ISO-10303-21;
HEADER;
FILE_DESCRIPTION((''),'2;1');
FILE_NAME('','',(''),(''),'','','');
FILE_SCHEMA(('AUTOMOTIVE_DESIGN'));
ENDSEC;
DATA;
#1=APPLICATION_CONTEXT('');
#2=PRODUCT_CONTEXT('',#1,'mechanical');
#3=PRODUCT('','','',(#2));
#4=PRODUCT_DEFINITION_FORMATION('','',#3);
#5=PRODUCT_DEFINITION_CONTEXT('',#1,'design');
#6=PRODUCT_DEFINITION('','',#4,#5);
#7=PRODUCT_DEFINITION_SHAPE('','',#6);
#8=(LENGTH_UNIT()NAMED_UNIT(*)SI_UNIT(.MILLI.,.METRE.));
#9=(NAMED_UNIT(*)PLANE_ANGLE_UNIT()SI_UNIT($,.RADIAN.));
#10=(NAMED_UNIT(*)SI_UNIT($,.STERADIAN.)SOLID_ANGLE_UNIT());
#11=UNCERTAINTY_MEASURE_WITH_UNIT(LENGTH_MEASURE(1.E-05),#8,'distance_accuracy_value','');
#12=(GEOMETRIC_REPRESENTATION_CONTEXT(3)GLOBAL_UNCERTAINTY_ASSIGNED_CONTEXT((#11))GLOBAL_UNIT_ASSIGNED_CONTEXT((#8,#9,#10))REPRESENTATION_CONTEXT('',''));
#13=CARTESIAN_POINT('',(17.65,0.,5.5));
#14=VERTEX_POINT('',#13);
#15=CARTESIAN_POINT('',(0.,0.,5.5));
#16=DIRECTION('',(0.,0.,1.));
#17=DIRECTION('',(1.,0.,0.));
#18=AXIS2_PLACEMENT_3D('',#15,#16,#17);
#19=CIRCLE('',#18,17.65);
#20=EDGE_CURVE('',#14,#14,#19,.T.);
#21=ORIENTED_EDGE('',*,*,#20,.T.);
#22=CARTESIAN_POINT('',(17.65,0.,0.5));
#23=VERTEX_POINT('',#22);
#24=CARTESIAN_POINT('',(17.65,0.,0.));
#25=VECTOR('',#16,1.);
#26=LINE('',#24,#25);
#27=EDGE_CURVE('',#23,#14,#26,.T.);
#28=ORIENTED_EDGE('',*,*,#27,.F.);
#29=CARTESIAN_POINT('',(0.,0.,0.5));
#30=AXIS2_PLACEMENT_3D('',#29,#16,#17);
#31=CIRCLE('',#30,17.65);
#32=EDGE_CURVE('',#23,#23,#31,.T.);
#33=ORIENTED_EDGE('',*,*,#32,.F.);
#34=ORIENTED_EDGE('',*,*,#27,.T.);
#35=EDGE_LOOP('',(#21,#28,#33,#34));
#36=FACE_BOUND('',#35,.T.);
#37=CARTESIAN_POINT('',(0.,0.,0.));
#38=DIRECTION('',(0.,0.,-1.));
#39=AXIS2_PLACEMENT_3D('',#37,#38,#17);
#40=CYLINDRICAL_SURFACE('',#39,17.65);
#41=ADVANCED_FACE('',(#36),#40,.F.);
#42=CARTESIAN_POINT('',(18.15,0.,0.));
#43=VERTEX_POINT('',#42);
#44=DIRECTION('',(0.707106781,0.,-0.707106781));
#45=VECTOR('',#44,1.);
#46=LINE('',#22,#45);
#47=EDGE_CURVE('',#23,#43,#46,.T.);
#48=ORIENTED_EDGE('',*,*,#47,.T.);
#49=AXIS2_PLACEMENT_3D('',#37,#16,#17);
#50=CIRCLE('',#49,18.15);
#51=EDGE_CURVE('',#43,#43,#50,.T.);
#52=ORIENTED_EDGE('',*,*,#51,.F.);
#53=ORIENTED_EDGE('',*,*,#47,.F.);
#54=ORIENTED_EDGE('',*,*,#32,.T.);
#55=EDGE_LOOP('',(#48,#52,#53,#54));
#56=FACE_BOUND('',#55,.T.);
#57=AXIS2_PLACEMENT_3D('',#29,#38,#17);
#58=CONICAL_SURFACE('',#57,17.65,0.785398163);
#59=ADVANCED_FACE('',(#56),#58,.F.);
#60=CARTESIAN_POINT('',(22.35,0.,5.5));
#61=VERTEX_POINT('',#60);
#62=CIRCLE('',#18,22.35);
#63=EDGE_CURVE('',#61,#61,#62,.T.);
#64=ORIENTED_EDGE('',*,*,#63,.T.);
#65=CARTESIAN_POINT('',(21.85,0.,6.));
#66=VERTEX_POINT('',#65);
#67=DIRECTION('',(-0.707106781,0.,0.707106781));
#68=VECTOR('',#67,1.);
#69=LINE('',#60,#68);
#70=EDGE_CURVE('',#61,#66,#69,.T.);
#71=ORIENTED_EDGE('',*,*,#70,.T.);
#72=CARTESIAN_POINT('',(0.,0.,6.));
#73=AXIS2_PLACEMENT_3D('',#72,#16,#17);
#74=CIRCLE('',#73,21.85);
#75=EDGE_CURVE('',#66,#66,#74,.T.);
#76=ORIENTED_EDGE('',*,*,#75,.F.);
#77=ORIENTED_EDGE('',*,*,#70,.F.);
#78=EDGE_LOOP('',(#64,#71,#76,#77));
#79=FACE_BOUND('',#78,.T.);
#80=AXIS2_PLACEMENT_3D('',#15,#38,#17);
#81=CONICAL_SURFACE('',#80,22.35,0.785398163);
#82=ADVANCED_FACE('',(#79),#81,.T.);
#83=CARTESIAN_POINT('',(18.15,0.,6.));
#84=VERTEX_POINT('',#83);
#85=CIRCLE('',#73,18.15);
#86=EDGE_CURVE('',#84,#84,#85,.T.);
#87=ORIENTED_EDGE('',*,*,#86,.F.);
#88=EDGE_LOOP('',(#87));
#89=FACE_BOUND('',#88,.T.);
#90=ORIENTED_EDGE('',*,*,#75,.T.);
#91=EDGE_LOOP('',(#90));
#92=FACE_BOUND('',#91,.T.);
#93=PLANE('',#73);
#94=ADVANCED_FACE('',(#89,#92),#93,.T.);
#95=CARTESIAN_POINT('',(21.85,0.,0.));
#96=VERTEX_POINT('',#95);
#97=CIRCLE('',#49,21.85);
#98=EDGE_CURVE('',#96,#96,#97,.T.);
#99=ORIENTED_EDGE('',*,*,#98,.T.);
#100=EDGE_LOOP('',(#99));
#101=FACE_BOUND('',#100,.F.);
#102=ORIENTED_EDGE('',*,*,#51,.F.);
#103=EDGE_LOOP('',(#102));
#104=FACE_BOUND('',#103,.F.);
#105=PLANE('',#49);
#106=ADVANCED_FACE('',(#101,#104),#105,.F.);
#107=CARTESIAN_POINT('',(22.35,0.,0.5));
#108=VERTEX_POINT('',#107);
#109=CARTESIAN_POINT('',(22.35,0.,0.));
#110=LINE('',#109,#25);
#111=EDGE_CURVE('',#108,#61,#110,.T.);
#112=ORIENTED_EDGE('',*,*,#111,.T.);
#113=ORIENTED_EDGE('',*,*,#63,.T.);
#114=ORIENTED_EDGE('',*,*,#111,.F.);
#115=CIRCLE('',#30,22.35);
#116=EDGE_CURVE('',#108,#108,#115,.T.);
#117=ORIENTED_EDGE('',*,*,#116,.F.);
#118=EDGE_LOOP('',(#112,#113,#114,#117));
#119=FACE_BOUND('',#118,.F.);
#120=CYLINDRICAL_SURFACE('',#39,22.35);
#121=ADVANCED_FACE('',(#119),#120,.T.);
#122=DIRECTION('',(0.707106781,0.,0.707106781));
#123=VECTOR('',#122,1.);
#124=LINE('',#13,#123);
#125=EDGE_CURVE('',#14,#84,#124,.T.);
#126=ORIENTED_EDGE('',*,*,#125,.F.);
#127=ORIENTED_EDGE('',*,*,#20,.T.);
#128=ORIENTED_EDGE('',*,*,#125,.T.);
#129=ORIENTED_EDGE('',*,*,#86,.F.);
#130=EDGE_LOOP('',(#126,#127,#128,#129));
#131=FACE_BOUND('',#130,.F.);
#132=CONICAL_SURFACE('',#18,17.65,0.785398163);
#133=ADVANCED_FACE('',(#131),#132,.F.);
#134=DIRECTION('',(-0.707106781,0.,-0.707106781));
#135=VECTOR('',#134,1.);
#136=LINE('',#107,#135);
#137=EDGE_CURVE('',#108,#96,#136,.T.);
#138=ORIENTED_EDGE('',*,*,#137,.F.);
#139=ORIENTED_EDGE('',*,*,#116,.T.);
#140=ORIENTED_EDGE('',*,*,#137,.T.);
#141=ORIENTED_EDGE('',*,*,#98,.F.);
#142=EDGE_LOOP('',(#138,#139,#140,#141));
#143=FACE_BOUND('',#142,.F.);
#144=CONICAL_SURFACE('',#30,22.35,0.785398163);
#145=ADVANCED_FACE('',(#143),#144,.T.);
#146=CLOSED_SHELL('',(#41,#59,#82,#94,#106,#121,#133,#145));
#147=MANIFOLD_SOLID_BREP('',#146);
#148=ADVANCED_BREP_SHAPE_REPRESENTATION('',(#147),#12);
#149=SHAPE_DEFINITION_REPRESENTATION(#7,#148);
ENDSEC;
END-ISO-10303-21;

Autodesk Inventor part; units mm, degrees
ref_plane "YZ Plane" through (0, 0, 0) normal (1, 0, 0) x (0, 1, 0)
ref_plane "XZ Plane" through (0, 0, 0) normal (0, 1, 0) x (-1, 0, 0)
ref_plane "XY Plane" through (0, 0, 0) normal (0, 0, 1) x (1, 0, 0)
sketch "草图1" plane through (0, 0, 0) normal (0, 0, 1) x (1, 0, 0)
  circle A0 centre (0, 0) radius 22.35
  circle A1 centre (0, 0) radius 17.65
extrude "拉伸1" add sketch "草图1" along normal blind 6
chamfer "倒角1" distance 0.5 angle 45 4 edges at (-17.65, 0, 6) (-17.65, 0, 0) (-22.35, 0, 6) (-22.35, 0, 0)
properties part number "my_attempt_v2"
